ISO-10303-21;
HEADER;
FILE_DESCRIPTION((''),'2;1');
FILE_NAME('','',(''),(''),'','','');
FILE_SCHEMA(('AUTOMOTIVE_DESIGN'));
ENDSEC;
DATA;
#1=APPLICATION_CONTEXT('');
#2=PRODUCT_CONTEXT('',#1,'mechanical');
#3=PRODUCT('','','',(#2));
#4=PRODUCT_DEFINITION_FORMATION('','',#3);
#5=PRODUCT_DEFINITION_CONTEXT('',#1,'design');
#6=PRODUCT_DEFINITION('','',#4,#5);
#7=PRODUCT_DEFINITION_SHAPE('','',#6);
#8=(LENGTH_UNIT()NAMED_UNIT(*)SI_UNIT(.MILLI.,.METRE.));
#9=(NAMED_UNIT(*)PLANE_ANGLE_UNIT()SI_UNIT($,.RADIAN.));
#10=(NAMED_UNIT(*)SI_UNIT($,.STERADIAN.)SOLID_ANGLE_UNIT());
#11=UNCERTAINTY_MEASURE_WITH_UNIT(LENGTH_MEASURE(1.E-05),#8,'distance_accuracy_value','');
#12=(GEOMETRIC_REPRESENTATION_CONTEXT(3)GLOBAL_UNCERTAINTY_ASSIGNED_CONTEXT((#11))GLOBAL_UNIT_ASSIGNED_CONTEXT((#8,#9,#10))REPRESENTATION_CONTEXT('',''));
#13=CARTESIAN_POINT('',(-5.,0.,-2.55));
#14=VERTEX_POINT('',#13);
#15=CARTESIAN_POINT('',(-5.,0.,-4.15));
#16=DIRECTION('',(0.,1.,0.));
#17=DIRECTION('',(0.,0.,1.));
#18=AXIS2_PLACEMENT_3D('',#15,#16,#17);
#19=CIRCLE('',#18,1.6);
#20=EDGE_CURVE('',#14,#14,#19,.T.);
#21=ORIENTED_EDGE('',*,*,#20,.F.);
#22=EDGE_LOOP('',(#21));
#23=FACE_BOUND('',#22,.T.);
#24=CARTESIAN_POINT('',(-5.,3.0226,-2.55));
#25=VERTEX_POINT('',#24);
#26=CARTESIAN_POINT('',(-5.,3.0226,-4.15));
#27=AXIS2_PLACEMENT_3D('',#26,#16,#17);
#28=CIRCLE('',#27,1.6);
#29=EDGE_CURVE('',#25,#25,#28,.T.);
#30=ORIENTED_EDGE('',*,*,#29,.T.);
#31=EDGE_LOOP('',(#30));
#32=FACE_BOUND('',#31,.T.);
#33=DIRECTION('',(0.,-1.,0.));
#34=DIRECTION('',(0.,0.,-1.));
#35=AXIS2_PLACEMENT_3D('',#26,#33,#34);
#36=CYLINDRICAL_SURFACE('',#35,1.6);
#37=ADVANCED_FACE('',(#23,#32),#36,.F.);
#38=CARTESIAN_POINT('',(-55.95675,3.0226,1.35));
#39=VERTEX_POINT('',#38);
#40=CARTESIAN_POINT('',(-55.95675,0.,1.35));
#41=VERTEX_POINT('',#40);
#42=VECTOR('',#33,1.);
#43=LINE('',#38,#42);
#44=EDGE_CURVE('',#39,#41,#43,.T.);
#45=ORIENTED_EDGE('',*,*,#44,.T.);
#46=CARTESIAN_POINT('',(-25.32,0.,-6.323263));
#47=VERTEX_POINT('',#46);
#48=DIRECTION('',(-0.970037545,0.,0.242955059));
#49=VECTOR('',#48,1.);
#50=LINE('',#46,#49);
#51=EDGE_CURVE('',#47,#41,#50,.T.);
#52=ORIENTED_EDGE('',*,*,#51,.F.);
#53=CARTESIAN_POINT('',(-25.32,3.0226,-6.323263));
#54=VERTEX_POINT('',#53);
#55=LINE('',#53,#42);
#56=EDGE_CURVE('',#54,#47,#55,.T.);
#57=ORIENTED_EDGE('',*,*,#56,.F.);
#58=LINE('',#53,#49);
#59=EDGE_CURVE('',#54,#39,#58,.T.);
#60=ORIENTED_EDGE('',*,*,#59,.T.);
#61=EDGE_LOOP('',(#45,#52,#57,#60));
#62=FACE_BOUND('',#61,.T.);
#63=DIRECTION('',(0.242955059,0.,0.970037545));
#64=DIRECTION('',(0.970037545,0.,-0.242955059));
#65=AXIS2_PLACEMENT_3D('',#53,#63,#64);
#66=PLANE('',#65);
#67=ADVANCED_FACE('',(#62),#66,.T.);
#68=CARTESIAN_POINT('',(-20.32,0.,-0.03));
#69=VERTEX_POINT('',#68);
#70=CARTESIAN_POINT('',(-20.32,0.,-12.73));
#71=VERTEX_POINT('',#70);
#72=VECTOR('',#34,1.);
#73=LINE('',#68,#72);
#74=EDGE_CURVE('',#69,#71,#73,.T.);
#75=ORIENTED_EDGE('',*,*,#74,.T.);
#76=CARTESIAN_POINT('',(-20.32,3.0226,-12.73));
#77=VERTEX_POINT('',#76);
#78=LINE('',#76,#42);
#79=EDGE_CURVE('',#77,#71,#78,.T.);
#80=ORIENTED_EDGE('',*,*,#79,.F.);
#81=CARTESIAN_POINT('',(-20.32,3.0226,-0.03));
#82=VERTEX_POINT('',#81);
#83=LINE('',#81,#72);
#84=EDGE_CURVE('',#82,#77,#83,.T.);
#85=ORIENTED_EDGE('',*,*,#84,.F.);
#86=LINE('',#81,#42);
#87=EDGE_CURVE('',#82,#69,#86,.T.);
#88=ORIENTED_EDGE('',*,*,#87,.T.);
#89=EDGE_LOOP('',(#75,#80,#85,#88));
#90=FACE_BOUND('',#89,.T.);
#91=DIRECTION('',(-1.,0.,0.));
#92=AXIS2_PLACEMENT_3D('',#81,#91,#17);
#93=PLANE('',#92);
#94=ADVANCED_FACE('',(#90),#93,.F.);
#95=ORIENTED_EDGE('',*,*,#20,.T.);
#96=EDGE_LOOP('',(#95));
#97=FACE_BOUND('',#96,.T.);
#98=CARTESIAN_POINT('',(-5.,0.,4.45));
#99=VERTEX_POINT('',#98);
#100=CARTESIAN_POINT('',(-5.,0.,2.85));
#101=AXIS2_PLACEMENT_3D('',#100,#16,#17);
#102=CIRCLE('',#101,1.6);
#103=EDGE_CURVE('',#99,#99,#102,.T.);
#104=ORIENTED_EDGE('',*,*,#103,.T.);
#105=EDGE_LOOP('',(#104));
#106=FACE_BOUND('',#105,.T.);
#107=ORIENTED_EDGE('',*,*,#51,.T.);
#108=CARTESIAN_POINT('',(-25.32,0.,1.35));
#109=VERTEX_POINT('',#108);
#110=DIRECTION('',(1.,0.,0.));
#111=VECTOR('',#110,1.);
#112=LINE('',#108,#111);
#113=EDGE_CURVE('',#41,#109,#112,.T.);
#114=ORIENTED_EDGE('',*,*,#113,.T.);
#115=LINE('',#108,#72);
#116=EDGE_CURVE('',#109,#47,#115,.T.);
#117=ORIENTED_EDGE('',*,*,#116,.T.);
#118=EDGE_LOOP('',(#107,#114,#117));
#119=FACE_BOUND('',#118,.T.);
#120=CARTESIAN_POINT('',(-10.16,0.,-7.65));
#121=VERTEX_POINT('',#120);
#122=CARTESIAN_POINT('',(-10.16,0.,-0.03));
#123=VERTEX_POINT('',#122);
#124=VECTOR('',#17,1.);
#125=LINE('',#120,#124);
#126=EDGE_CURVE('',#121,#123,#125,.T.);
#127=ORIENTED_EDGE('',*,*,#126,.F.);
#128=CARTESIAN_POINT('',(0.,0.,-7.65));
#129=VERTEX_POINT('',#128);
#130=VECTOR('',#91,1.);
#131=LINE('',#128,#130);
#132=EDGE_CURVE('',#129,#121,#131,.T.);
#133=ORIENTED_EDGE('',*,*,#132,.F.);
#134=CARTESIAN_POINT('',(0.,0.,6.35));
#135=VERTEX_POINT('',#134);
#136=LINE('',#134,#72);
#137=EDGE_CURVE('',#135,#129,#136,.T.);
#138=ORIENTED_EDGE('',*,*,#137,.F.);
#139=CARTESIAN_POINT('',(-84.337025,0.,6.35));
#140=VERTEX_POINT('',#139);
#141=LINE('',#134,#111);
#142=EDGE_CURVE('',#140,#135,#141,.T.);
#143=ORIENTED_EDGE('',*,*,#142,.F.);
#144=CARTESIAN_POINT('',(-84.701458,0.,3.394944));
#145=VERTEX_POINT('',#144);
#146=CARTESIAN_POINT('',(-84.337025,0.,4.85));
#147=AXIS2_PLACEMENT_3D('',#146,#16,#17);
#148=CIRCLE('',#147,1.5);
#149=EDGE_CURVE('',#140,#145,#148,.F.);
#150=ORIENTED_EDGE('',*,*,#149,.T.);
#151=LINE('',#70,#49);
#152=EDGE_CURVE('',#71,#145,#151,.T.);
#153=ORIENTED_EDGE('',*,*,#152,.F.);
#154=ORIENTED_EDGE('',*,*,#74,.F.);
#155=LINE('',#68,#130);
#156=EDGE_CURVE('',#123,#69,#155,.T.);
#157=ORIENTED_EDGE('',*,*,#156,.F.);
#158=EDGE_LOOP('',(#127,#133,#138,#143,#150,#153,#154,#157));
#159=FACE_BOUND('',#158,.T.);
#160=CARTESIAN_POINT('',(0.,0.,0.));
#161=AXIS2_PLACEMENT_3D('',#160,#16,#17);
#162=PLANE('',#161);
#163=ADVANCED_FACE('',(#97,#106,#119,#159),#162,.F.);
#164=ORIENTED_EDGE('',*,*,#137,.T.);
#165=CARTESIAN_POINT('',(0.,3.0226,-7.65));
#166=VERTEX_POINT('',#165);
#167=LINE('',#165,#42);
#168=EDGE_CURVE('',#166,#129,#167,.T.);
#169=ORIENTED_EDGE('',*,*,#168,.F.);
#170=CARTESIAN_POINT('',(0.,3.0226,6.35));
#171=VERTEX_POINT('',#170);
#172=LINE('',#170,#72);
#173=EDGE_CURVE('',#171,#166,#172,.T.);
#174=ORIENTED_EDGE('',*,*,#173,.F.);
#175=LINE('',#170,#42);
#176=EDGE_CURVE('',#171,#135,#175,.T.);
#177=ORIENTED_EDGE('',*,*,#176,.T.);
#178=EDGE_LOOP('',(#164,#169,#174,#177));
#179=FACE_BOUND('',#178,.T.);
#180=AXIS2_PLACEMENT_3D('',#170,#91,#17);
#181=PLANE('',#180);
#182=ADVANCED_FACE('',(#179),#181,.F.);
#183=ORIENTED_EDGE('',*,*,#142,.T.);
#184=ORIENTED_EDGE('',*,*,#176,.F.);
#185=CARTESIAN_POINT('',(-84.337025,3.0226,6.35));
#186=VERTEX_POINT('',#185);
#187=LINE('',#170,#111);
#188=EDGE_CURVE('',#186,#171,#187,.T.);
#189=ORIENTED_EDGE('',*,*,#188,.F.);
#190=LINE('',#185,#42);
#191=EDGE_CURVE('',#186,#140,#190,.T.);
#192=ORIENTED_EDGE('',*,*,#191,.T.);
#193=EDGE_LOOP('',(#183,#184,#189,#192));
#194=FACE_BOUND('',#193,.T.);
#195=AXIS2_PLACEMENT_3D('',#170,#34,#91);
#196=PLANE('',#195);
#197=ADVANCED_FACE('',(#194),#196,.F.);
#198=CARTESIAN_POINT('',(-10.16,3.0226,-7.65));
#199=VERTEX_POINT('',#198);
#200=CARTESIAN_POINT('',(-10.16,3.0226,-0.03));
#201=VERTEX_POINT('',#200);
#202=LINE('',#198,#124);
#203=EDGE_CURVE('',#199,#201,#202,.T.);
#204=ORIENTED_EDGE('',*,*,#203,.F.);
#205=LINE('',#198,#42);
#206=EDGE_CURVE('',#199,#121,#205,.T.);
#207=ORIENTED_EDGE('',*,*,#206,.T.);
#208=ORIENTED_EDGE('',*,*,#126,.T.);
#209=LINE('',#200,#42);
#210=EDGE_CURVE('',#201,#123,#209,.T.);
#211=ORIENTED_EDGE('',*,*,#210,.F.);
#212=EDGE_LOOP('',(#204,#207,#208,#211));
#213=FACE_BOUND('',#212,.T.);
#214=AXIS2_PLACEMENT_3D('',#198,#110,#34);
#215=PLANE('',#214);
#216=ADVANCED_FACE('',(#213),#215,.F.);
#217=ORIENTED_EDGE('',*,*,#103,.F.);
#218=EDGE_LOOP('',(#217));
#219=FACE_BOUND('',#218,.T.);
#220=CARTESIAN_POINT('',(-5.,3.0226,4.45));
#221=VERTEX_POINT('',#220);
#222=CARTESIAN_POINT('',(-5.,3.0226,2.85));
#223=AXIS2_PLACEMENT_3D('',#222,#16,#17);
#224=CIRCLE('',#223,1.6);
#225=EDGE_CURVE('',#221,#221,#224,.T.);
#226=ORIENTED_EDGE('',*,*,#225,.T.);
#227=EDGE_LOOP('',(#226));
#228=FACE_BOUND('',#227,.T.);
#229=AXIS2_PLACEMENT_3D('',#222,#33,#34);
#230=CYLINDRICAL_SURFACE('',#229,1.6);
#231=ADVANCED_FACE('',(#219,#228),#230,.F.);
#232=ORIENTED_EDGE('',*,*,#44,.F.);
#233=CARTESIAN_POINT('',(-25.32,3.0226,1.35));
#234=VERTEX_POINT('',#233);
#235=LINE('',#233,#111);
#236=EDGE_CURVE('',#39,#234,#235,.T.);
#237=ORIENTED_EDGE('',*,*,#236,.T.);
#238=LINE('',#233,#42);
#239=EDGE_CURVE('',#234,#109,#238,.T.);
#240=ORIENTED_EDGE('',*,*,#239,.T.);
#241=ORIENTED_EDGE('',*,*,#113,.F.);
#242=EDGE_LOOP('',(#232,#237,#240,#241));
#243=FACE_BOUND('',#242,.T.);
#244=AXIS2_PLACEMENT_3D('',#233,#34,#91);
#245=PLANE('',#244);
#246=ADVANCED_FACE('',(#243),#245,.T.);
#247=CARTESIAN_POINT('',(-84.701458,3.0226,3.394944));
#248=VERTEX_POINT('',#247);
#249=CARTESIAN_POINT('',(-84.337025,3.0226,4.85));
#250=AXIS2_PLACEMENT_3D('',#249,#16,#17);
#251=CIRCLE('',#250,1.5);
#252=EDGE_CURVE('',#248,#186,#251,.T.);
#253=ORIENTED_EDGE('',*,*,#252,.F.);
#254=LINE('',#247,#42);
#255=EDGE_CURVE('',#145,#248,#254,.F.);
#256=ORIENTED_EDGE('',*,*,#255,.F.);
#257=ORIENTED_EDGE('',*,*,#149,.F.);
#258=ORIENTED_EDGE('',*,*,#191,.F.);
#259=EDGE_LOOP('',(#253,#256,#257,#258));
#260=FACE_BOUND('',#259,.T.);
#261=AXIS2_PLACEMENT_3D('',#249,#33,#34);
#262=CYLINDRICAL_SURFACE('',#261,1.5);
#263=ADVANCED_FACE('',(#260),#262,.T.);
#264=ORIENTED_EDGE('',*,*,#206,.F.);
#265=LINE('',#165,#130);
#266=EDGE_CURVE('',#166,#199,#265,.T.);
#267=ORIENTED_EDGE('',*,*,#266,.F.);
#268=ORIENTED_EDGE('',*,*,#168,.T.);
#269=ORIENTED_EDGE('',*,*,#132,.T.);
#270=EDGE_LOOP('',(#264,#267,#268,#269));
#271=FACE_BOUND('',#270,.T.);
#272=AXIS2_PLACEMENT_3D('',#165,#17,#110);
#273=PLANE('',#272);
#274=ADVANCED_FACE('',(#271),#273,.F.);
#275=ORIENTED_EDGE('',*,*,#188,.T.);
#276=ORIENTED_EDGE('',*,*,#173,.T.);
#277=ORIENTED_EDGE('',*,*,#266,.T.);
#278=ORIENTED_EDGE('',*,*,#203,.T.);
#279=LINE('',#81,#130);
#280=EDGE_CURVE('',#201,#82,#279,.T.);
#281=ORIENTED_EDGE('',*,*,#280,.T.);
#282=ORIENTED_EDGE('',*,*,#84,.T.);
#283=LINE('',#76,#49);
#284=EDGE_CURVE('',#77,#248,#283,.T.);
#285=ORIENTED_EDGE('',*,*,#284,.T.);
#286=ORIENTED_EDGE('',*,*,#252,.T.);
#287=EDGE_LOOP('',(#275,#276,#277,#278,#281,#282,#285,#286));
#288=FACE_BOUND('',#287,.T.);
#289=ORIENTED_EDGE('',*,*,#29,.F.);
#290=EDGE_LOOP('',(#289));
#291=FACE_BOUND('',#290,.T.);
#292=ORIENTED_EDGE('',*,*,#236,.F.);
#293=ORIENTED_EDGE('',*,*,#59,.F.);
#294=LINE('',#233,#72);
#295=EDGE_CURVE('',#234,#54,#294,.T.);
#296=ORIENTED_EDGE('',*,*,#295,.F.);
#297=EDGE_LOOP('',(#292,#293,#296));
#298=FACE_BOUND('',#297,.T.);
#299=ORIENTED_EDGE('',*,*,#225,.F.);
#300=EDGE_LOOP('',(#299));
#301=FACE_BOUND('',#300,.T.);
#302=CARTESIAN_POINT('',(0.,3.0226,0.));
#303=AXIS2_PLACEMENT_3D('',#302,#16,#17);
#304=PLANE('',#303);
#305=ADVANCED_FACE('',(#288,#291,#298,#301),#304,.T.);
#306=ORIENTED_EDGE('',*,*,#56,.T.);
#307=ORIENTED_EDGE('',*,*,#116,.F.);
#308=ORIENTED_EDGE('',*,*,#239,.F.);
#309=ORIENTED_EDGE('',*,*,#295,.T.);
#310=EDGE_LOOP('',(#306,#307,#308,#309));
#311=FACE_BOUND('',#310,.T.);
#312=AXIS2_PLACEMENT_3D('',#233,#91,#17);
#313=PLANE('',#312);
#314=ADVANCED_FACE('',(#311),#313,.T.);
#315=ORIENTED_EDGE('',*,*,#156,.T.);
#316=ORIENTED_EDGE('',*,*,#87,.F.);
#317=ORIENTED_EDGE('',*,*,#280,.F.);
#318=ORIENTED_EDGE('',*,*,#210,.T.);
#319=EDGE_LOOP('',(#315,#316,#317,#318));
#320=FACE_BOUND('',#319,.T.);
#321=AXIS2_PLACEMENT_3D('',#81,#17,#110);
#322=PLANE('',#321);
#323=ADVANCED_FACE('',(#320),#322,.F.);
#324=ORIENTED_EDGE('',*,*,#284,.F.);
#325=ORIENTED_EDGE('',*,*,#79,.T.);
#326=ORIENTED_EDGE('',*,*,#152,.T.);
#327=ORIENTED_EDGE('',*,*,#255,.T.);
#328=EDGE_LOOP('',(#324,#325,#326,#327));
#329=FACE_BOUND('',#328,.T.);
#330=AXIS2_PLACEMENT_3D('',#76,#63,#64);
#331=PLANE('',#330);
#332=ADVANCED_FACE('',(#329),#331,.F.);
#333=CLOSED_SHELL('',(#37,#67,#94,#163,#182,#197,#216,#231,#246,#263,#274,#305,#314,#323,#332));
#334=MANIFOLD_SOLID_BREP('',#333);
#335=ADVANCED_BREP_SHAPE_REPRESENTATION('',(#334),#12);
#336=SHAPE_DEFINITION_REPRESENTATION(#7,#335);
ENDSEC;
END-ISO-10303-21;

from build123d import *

# Parameters (mm, degrees)
SKETCH2_R           = 1.6
BOSS_EXTRUDE1_DEPTH = 3.0226
FILLET1_R           = 1.5


with BuildPart() as part:
    # Sketch2 → Boss-Extrude1 (new body)
    with BuildSketch(Plane(origin=(0, 0, 0), x_dir=(1, 0, 0), z_dir=(0, 1, 0))):
        Polygon((0, -6.35), (-96.5, -6.35), (-20.32, 12.73), (-20.32, 0.03), (-10.16, 0.03), (-10.16, 7.65), (0, 7.65), align=None)
        with Locations(Location((-5, -2.85, 0), (0, 0, 270))):
            Circle(SKETCH2_R, mode=Mode.SUBTRACT)
        with Locations(Location((-5, 4.15, 0), (0, 0, 270))):
            Circle(SKETCH2_R, mode=Mode.SUBTRACT)
        Polygon((-25.32, -1.35), (-25.32, 6.323263145), (-55.956749809, -1.35), align=None, mode=Mode.SUBTRACT)
    extrude(amount=BOSS_EXTRUDE1_DEPTH)

    # Fillet1
    fillet1_edges = [part.edges().sort_by_distance(p)[0] for p in [
        (-96.5, 1.5113, 6.35),
    ]]
    fillet(fillet1_edges, radius=FILLET1_R)


solid = part.part
